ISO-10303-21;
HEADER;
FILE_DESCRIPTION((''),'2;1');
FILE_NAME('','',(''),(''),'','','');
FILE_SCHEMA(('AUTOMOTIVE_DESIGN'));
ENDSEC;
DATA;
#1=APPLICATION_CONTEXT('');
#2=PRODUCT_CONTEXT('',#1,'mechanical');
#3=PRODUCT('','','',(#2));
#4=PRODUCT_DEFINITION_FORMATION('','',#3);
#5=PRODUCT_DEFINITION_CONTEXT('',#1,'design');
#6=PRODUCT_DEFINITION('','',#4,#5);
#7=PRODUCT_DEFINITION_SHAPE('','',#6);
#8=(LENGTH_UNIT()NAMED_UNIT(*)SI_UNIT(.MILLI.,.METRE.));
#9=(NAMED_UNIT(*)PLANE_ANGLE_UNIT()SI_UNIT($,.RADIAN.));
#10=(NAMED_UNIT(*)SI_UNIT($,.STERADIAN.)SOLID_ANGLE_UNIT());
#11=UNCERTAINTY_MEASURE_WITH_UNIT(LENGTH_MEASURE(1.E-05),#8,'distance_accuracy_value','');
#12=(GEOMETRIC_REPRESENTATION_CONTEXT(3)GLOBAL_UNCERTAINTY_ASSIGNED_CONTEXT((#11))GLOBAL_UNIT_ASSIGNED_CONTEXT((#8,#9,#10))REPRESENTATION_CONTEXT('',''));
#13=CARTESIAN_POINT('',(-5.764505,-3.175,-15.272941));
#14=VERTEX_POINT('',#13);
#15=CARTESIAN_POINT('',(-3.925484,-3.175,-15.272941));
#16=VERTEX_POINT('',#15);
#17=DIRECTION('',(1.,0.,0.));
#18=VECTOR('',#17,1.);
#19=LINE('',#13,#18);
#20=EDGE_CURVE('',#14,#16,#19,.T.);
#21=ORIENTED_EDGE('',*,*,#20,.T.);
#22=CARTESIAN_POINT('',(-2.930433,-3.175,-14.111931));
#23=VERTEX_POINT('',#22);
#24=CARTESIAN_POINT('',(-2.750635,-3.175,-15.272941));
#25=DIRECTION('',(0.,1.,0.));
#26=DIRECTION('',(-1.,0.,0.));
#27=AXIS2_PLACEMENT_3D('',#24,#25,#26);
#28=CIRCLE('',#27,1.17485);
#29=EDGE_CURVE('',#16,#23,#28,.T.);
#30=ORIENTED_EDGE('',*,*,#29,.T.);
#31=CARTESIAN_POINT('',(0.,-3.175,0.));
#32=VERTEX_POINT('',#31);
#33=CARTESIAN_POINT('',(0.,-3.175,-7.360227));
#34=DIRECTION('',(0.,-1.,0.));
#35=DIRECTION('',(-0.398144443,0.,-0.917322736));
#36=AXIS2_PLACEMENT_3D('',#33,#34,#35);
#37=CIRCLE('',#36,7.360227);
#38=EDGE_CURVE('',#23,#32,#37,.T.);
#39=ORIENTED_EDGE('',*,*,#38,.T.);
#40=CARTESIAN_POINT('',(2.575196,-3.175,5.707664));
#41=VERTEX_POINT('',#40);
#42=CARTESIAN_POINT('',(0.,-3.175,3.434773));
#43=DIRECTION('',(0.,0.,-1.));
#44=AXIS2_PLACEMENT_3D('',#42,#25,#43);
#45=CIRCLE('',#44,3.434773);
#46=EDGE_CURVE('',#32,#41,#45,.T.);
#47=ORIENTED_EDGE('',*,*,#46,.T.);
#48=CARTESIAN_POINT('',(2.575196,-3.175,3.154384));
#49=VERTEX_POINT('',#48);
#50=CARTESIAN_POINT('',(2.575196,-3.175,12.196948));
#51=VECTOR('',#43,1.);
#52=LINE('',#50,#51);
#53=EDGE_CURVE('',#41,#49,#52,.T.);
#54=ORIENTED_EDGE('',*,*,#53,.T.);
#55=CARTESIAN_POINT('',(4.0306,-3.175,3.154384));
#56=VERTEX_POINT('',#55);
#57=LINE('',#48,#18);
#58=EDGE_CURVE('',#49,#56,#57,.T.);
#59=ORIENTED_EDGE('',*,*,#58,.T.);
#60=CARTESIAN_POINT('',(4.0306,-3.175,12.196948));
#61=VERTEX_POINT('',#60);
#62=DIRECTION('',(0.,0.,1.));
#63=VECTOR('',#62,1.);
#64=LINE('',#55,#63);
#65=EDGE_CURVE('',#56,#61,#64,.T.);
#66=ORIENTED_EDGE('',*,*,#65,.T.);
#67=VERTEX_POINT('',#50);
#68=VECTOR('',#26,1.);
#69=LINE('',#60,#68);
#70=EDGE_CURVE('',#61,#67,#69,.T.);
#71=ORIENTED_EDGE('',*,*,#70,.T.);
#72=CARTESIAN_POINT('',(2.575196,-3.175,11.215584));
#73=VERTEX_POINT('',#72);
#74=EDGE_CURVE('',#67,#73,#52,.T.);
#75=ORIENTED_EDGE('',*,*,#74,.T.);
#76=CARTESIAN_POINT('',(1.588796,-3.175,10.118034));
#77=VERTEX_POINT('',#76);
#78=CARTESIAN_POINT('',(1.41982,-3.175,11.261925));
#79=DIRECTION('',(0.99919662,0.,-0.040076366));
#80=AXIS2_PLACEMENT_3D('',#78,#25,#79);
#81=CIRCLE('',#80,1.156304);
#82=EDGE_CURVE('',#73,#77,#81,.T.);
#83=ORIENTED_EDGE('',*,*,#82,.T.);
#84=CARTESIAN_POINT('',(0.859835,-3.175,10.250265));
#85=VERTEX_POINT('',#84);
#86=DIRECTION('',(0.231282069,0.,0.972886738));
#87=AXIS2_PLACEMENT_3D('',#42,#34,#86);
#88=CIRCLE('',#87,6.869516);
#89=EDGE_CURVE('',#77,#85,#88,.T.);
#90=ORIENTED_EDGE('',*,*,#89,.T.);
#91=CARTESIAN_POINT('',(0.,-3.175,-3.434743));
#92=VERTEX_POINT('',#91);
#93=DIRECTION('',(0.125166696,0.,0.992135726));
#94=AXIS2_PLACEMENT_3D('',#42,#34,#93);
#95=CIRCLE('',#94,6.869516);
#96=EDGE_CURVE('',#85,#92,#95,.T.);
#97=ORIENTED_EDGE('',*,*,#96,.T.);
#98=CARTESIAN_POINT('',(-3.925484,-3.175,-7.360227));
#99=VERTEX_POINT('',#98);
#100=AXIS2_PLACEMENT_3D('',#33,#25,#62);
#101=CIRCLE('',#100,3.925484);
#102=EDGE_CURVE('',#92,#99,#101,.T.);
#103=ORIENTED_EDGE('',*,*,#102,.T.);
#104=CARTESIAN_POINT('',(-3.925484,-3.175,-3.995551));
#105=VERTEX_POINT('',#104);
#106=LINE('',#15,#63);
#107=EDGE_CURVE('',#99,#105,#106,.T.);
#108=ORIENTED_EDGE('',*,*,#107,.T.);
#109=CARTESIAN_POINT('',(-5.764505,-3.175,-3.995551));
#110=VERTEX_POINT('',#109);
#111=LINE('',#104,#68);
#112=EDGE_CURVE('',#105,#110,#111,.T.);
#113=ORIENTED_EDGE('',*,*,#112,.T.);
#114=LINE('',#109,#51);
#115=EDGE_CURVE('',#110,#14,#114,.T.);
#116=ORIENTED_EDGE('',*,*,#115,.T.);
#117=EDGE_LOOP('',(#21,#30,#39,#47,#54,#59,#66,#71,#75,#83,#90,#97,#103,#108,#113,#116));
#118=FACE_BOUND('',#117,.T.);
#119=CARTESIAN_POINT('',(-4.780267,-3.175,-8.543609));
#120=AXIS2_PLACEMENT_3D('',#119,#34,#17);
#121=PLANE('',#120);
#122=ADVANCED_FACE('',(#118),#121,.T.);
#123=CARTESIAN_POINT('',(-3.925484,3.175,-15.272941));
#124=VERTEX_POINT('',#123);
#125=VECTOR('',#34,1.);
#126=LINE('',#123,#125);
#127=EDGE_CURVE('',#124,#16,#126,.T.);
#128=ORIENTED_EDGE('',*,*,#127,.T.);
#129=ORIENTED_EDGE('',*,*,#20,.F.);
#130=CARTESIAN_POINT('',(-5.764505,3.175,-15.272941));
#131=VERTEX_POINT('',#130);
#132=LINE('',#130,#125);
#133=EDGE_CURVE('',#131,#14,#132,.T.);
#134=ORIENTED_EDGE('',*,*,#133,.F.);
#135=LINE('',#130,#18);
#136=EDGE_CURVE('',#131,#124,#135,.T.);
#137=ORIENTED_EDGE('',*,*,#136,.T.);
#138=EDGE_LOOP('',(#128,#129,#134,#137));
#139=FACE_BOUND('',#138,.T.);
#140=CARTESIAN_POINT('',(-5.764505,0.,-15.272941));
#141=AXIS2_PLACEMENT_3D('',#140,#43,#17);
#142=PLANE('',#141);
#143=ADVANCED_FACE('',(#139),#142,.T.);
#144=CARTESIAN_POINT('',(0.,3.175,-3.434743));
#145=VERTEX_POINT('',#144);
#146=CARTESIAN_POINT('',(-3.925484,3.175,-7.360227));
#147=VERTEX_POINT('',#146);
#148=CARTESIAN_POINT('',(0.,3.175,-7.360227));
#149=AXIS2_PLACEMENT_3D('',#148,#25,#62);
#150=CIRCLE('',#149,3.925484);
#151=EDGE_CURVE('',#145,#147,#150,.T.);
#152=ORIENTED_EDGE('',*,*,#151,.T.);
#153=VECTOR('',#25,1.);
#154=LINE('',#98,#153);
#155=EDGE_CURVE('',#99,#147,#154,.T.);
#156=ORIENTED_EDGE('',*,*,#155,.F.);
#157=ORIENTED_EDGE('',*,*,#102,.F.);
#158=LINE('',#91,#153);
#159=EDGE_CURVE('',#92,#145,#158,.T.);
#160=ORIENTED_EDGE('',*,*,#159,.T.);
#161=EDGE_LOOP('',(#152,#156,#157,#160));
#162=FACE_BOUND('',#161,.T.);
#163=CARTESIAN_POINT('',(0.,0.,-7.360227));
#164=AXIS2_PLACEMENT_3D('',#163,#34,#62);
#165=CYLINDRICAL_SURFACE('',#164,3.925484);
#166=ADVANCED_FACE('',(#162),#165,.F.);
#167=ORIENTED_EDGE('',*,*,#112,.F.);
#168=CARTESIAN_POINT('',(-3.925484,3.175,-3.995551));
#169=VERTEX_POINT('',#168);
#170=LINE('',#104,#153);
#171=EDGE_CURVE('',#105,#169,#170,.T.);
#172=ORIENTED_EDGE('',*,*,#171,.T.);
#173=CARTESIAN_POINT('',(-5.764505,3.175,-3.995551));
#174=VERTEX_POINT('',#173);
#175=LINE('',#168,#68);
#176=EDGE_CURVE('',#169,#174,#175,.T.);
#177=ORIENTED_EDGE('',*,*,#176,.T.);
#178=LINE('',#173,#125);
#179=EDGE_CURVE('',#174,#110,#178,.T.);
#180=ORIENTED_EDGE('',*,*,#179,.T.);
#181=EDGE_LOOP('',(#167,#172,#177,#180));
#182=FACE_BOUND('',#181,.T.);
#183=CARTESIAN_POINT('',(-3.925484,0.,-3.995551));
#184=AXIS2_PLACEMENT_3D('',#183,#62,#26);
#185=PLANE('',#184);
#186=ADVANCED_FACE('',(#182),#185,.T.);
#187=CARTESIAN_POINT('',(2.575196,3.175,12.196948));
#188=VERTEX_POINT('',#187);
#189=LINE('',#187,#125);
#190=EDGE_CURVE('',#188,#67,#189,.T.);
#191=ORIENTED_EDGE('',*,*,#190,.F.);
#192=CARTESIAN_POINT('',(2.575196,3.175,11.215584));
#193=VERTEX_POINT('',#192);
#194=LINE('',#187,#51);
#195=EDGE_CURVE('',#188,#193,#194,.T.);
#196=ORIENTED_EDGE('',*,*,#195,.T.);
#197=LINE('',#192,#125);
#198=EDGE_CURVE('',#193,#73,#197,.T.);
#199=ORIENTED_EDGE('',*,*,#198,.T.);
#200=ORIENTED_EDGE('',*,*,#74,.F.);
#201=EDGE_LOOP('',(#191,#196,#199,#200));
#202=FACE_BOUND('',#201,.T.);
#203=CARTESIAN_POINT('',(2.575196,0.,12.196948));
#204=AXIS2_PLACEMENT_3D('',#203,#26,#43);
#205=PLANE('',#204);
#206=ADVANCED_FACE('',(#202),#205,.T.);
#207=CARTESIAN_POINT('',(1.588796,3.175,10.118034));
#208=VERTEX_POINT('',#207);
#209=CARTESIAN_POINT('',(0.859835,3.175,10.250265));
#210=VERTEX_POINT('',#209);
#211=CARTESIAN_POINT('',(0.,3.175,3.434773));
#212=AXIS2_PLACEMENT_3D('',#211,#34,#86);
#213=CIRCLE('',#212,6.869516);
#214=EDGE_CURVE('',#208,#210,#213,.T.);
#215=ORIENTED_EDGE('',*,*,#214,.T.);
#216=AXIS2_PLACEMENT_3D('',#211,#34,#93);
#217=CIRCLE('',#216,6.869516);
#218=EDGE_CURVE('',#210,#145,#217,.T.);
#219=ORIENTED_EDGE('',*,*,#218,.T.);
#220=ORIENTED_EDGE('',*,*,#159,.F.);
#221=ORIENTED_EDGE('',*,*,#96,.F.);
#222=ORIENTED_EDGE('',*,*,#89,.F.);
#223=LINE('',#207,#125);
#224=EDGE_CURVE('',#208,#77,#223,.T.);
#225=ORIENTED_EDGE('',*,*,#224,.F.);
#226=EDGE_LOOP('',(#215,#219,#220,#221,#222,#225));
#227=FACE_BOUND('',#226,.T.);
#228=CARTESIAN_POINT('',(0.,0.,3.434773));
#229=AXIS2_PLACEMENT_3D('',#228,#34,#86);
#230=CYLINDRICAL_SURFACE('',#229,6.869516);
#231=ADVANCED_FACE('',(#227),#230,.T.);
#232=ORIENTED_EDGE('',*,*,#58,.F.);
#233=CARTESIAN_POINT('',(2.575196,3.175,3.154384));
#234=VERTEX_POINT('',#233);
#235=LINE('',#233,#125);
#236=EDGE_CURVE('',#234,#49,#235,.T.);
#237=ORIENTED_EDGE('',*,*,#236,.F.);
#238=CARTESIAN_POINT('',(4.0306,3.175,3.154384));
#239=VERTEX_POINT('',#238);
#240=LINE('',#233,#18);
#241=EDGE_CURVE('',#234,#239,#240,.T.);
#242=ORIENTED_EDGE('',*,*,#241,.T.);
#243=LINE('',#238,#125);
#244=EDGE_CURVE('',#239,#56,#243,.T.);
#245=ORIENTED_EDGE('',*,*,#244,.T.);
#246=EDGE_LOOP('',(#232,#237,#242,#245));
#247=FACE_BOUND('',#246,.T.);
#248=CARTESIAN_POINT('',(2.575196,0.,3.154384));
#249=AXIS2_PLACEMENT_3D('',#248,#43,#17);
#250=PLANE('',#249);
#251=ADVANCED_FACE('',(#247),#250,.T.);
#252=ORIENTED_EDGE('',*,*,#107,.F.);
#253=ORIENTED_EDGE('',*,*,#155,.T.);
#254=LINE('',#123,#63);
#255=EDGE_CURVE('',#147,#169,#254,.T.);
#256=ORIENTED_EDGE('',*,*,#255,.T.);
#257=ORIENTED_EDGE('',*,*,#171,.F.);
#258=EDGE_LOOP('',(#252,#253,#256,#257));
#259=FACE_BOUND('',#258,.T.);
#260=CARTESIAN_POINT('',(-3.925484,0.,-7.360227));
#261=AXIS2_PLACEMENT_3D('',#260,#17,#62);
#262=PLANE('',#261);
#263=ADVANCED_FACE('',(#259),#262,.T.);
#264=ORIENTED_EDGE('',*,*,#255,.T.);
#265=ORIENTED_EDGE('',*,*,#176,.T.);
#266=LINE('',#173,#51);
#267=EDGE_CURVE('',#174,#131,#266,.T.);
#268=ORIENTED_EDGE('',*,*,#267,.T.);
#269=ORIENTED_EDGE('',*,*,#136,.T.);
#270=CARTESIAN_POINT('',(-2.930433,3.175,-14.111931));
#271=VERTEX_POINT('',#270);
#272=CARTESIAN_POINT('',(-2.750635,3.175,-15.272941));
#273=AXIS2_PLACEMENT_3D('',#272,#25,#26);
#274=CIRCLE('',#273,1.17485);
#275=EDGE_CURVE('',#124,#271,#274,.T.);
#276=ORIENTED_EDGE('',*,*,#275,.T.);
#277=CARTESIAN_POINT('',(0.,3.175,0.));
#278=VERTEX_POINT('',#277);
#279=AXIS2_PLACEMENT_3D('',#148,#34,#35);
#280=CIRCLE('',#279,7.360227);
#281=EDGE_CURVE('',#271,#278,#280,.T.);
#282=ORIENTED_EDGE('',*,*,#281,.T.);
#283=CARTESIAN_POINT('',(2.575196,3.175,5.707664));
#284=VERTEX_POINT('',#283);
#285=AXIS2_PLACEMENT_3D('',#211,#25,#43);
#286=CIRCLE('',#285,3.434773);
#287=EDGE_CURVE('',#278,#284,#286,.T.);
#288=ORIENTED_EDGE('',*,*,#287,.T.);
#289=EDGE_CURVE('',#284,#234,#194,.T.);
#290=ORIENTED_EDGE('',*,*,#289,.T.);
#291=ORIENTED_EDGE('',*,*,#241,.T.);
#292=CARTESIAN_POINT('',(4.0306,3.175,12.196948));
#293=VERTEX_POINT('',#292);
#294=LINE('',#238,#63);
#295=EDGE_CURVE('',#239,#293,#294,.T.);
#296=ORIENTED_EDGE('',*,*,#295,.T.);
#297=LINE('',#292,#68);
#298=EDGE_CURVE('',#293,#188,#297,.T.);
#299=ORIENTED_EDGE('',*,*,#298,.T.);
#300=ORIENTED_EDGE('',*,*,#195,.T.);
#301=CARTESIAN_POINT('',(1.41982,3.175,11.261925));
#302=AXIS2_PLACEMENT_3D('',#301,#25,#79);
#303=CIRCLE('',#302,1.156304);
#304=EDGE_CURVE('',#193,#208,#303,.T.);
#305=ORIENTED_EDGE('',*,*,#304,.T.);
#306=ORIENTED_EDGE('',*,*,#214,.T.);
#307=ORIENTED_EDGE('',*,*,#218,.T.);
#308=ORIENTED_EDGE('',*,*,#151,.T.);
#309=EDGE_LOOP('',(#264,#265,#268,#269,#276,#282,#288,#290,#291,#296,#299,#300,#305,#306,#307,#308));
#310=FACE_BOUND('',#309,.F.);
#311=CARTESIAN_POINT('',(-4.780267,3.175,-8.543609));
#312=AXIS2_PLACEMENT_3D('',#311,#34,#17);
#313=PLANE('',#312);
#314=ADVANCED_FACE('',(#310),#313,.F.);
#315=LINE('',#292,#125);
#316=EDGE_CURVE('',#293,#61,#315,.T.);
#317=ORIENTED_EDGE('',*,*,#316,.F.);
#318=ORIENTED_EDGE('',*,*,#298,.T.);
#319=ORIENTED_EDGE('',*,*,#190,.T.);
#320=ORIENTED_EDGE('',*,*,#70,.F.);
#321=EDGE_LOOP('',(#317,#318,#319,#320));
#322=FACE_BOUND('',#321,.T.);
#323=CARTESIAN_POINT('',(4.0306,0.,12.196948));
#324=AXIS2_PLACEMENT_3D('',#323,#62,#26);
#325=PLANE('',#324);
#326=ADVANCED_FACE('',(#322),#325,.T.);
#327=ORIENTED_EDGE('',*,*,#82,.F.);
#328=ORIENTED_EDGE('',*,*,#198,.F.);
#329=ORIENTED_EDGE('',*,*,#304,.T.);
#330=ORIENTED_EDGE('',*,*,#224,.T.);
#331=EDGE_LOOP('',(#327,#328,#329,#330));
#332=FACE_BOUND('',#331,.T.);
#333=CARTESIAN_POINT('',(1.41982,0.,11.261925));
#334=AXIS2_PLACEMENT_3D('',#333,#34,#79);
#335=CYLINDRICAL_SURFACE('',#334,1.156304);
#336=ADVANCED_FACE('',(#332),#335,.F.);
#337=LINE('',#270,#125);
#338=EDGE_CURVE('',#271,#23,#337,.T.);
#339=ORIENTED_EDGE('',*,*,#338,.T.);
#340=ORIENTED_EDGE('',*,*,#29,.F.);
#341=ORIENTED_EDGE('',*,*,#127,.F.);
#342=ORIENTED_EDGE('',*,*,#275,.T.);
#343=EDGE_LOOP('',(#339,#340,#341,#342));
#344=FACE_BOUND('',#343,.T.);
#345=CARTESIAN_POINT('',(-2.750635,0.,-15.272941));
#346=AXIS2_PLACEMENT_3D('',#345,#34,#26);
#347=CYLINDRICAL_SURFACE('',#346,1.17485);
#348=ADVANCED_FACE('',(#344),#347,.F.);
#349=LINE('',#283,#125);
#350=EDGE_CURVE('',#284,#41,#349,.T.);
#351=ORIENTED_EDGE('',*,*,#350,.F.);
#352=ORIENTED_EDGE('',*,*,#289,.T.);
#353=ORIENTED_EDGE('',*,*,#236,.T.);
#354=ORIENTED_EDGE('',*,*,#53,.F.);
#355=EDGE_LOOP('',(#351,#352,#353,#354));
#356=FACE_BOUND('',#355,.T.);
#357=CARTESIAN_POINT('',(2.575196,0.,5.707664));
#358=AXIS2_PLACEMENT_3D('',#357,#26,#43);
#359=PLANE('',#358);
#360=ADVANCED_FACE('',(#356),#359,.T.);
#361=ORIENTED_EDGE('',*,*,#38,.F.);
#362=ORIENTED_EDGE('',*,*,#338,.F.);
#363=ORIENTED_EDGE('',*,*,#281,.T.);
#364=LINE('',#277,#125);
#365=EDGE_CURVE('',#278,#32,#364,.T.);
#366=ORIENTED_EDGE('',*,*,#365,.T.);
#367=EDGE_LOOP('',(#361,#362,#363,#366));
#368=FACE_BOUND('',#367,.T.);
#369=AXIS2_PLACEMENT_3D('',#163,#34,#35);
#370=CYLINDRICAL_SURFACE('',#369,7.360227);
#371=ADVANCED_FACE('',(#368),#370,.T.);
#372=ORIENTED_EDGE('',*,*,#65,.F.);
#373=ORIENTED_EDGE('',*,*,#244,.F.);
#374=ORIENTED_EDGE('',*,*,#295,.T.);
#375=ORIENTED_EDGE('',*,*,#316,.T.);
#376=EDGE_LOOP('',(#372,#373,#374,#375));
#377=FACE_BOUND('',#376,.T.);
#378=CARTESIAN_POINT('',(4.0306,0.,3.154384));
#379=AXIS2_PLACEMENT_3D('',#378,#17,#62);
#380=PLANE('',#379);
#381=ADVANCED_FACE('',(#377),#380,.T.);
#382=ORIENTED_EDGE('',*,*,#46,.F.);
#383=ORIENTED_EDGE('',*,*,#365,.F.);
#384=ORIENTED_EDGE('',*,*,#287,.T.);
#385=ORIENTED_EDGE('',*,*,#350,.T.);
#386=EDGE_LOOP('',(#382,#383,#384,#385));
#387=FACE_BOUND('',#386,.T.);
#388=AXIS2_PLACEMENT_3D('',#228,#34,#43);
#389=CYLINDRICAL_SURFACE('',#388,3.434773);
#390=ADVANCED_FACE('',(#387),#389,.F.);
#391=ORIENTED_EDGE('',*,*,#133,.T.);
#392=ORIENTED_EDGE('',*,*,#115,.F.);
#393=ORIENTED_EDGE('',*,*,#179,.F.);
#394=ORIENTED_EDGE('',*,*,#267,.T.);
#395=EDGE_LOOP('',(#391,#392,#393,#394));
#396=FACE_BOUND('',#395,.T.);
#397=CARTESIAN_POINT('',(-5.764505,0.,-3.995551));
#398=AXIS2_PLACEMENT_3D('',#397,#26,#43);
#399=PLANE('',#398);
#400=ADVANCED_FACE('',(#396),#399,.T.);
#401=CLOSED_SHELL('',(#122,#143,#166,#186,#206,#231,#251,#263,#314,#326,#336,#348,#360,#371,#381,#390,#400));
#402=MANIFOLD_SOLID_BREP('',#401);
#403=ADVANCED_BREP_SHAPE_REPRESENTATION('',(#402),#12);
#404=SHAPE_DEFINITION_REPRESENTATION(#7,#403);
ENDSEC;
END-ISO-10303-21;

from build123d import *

# Parameters (mm, degrees)
F1_DEPTH = 6.35
F2_SCALE = 0.5


with BuildPart() as f1:
    # F0 (on Front) → F1 (new body, symmetric)
    with BuildSketch(Plane.XZ):
        with BuildLine():
            ThreePointArc((-11.5290090528, -23.8732525036), (-9.8294039198, -25.6783091317), (-7.850968465, -27.1725247086))
            Line((-7.850968465, -27.1725247086), (-7.850968465, -14.7204540884))
            Line((-7.850968465, -14.7204540884), (-7.850968465, -7.9911025987))
            Line((-7.850968465, -7.9911025987), (-11.5290090528, -7.9911025987))
            Line((-11.5290090528, -7.9911025987), (-11.5290090528, -23.8732525036))
        make_face()
        with BuildLine():
            Line((-7.850968465, -30.5458810074), (-7.850968465, -27.1725247086))
            ThreePointArc((-7.850968465, -27.1725247086), (-9.8294039198, -25.6783091317), (-11.5290090528, -23.8732525036))
            Line((-11.5290090528, -23.8732525036), (-11.5290090528, -30.5458810074))
            Line((-11.5290090528, -30.5458810074), (-7.850968465, -30.5458810074))
        make_face()
        Polygon((5.1503910808, 19.6066750714), (5.1503910808, 11.4153277746), (5.1503910808, 6.3087673495), (8.0611995911, 6.3087673495), (8.0611995911, 24.3938967455), (5.1503910808, 24.3938967455), (5.1503910808, 22.4311687176), align=None)
        with BuildLine():
            ThreePointArc((-5.8608669981, -28.2238613102), (14.4129812082, -17.7134026782), (0, 0))
            ThreePointArc((0, 0), (-6.2617137528, 9.6947188107), (5.1503910808, 11.4153277746))
            Line((5.1503910808, 11.4153277746), (5.1503910808, 19.6066750714))
            ThreePointArc((5.1503910808, 19.6066750714), (4.1758661078, 19.9585920865), (3.1775916397, 20.236067482))
            ThreePointArc((3.1775916397, 20.236067482), (2.4268766545, 20.2483751203), (1.7196691769, 20.5005299348))
            ThreePointArc((1.7196691769, 20.5005299348), (-13.7119930511, 7.7310759956), (0, -6.8694856234))
            ThreePointArc((0, -6.8694856234), (5.5514730405, -20.2719271289), (-7.850968465, -14.7204540884))
            Line((-7.850968465, -14.7204540884), (-7.850968465, -27.1725247086))
            ThreePointArc((-7.850968465, -27.1725247086), (-6.8760406561, -27.7362841988), (-5.8608669981, -28.2238613102))
        make_face()
        with BuildLine():
            ThreePointArc((1.7196691769, 20.5005299348), (2.4268766545, 20.2483751203), (3.1775916397, 20.236067482))
            ThreePointArc((3.1775916397, 20.236067482), (2.4521981922, 20.3879671044), (1.7196691769, 20.5005299348))
        make_face()
        with BuildLine():
            ThreePointArc((3.1775916397, 20.236067482), (4.1758661078, 19.9585920865), (5.1503910808, 19.6066750714))
            Line((5.1503910808, 19.6066750714), (5.1503910808, 22.4311687176))
            ThreePointArc((5.1503910808, 22.4311687176), (4.5596761112, 20.9780050452), (3.1775916397, 20.236067482))
        make_face()
        with BuildLine():
            ThreePointArc((-7.850968465, -30.5458810074), (-7.2853702731, -29.0168061791), (-5.8608669981, -28.2238613102))
            ThreePointArc((-5.8608669981, -28.2238613102), (-6.8760406561, -27.7362841988), (-7.850968465, -27.1725247086))
            Line((-7.850968465, -27.1725247086), (-7.850968465, -30.5458810074))
        make_face()
    extrude(amount=F1_DEPTH, both=True)


with BuildPart() as f1_1:
    # F2: moved
    add(f1.part.scale(F2_SCALE))


solid = f1_1.part
